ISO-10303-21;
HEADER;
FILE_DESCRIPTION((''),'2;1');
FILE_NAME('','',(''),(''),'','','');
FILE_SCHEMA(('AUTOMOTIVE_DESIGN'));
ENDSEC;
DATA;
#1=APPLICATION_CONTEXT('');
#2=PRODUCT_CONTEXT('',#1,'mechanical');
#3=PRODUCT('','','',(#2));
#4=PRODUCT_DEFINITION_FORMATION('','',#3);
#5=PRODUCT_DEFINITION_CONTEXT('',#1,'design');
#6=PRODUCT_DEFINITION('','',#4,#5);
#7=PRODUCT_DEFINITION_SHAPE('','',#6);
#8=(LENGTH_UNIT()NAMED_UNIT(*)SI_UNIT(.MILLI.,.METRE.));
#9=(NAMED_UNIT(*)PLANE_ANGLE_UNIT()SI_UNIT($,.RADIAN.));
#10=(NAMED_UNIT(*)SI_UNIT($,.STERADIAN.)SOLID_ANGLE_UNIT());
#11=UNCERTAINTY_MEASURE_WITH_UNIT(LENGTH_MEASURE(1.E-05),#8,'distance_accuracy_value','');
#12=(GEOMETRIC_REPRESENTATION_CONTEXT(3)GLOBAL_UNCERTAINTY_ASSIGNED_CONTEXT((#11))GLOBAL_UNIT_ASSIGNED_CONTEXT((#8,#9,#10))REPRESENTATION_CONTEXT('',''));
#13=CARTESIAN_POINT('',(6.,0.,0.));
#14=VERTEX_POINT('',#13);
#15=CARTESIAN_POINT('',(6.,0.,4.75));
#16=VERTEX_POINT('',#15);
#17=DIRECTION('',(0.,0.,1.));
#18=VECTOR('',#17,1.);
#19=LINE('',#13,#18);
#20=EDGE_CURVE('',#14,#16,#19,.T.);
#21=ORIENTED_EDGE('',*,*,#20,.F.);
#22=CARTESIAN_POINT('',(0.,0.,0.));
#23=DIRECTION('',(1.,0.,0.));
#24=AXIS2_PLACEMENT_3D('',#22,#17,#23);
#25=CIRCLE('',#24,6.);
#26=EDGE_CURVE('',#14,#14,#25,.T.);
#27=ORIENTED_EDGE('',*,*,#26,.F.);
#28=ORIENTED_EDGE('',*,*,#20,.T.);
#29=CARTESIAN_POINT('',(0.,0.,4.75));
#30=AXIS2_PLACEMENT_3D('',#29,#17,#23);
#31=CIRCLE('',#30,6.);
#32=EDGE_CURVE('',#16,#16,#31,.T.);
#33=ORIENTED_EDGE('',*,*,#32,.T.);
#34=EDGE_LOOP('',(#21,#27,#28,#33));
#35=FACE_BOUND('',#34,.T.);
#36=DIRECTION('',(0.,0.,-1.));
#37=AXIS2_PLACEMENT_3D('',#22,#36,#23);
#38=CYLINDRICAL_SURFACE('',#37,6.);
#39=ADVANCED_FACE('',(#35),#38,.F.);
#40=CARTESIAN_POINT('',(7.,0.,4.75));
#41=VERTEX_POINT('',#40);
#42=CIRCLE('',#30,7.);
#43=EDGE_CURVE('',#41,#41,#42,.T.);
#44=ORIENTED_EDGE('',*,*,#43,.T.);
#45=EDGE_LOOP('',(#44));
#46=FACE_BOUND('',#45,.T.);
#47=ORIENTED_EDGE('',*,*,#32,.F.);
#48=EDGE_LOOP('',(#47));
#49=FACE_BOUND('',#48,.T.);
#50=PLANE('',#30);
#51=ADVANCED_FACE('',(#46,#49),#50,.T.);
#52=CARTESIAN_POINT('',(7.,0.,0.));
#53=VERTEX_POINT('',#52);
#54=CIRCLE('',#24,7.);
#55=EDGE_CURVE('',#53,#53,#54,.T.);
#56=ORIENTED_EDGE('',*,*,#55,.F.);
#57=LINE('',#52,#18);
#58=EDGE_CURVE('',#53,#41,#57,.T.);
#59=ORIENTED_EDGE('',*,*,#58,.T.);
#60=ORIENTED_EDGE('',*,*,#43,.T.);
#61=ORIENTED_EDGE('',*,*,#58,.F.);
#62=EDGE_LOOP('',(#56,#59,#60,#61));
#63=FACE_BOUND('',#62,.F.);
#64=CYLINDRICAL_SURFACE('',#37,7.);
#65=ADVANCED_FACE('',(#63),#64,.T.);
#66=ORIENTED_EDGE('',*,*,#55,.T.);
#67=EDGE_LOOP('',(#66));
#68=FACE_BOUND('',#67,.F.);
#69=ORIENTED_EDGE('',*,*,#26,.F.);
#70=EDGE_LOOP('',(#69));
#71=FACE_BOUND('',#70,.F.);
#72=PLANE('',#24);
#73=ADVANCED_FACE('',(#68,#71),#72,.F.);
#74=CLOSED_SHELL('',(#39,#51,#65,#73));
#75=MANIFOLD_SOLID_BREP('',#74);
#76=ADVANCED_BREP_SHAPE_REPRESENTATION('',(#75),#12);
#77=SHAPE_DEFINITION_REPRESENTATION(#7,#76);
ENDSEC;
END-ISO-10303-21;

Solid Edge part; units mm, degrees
sketch "Sketch1" plane through (0, 0, 0) normal (0, 0, 1) x (1, 0, 0)
  circle A0 centre (0, 0) radius 6
  circle A1 centre (0, 0) radius 7
extrude "Protrusion1" add sketch "Sketch1" along normal blind 4.75
